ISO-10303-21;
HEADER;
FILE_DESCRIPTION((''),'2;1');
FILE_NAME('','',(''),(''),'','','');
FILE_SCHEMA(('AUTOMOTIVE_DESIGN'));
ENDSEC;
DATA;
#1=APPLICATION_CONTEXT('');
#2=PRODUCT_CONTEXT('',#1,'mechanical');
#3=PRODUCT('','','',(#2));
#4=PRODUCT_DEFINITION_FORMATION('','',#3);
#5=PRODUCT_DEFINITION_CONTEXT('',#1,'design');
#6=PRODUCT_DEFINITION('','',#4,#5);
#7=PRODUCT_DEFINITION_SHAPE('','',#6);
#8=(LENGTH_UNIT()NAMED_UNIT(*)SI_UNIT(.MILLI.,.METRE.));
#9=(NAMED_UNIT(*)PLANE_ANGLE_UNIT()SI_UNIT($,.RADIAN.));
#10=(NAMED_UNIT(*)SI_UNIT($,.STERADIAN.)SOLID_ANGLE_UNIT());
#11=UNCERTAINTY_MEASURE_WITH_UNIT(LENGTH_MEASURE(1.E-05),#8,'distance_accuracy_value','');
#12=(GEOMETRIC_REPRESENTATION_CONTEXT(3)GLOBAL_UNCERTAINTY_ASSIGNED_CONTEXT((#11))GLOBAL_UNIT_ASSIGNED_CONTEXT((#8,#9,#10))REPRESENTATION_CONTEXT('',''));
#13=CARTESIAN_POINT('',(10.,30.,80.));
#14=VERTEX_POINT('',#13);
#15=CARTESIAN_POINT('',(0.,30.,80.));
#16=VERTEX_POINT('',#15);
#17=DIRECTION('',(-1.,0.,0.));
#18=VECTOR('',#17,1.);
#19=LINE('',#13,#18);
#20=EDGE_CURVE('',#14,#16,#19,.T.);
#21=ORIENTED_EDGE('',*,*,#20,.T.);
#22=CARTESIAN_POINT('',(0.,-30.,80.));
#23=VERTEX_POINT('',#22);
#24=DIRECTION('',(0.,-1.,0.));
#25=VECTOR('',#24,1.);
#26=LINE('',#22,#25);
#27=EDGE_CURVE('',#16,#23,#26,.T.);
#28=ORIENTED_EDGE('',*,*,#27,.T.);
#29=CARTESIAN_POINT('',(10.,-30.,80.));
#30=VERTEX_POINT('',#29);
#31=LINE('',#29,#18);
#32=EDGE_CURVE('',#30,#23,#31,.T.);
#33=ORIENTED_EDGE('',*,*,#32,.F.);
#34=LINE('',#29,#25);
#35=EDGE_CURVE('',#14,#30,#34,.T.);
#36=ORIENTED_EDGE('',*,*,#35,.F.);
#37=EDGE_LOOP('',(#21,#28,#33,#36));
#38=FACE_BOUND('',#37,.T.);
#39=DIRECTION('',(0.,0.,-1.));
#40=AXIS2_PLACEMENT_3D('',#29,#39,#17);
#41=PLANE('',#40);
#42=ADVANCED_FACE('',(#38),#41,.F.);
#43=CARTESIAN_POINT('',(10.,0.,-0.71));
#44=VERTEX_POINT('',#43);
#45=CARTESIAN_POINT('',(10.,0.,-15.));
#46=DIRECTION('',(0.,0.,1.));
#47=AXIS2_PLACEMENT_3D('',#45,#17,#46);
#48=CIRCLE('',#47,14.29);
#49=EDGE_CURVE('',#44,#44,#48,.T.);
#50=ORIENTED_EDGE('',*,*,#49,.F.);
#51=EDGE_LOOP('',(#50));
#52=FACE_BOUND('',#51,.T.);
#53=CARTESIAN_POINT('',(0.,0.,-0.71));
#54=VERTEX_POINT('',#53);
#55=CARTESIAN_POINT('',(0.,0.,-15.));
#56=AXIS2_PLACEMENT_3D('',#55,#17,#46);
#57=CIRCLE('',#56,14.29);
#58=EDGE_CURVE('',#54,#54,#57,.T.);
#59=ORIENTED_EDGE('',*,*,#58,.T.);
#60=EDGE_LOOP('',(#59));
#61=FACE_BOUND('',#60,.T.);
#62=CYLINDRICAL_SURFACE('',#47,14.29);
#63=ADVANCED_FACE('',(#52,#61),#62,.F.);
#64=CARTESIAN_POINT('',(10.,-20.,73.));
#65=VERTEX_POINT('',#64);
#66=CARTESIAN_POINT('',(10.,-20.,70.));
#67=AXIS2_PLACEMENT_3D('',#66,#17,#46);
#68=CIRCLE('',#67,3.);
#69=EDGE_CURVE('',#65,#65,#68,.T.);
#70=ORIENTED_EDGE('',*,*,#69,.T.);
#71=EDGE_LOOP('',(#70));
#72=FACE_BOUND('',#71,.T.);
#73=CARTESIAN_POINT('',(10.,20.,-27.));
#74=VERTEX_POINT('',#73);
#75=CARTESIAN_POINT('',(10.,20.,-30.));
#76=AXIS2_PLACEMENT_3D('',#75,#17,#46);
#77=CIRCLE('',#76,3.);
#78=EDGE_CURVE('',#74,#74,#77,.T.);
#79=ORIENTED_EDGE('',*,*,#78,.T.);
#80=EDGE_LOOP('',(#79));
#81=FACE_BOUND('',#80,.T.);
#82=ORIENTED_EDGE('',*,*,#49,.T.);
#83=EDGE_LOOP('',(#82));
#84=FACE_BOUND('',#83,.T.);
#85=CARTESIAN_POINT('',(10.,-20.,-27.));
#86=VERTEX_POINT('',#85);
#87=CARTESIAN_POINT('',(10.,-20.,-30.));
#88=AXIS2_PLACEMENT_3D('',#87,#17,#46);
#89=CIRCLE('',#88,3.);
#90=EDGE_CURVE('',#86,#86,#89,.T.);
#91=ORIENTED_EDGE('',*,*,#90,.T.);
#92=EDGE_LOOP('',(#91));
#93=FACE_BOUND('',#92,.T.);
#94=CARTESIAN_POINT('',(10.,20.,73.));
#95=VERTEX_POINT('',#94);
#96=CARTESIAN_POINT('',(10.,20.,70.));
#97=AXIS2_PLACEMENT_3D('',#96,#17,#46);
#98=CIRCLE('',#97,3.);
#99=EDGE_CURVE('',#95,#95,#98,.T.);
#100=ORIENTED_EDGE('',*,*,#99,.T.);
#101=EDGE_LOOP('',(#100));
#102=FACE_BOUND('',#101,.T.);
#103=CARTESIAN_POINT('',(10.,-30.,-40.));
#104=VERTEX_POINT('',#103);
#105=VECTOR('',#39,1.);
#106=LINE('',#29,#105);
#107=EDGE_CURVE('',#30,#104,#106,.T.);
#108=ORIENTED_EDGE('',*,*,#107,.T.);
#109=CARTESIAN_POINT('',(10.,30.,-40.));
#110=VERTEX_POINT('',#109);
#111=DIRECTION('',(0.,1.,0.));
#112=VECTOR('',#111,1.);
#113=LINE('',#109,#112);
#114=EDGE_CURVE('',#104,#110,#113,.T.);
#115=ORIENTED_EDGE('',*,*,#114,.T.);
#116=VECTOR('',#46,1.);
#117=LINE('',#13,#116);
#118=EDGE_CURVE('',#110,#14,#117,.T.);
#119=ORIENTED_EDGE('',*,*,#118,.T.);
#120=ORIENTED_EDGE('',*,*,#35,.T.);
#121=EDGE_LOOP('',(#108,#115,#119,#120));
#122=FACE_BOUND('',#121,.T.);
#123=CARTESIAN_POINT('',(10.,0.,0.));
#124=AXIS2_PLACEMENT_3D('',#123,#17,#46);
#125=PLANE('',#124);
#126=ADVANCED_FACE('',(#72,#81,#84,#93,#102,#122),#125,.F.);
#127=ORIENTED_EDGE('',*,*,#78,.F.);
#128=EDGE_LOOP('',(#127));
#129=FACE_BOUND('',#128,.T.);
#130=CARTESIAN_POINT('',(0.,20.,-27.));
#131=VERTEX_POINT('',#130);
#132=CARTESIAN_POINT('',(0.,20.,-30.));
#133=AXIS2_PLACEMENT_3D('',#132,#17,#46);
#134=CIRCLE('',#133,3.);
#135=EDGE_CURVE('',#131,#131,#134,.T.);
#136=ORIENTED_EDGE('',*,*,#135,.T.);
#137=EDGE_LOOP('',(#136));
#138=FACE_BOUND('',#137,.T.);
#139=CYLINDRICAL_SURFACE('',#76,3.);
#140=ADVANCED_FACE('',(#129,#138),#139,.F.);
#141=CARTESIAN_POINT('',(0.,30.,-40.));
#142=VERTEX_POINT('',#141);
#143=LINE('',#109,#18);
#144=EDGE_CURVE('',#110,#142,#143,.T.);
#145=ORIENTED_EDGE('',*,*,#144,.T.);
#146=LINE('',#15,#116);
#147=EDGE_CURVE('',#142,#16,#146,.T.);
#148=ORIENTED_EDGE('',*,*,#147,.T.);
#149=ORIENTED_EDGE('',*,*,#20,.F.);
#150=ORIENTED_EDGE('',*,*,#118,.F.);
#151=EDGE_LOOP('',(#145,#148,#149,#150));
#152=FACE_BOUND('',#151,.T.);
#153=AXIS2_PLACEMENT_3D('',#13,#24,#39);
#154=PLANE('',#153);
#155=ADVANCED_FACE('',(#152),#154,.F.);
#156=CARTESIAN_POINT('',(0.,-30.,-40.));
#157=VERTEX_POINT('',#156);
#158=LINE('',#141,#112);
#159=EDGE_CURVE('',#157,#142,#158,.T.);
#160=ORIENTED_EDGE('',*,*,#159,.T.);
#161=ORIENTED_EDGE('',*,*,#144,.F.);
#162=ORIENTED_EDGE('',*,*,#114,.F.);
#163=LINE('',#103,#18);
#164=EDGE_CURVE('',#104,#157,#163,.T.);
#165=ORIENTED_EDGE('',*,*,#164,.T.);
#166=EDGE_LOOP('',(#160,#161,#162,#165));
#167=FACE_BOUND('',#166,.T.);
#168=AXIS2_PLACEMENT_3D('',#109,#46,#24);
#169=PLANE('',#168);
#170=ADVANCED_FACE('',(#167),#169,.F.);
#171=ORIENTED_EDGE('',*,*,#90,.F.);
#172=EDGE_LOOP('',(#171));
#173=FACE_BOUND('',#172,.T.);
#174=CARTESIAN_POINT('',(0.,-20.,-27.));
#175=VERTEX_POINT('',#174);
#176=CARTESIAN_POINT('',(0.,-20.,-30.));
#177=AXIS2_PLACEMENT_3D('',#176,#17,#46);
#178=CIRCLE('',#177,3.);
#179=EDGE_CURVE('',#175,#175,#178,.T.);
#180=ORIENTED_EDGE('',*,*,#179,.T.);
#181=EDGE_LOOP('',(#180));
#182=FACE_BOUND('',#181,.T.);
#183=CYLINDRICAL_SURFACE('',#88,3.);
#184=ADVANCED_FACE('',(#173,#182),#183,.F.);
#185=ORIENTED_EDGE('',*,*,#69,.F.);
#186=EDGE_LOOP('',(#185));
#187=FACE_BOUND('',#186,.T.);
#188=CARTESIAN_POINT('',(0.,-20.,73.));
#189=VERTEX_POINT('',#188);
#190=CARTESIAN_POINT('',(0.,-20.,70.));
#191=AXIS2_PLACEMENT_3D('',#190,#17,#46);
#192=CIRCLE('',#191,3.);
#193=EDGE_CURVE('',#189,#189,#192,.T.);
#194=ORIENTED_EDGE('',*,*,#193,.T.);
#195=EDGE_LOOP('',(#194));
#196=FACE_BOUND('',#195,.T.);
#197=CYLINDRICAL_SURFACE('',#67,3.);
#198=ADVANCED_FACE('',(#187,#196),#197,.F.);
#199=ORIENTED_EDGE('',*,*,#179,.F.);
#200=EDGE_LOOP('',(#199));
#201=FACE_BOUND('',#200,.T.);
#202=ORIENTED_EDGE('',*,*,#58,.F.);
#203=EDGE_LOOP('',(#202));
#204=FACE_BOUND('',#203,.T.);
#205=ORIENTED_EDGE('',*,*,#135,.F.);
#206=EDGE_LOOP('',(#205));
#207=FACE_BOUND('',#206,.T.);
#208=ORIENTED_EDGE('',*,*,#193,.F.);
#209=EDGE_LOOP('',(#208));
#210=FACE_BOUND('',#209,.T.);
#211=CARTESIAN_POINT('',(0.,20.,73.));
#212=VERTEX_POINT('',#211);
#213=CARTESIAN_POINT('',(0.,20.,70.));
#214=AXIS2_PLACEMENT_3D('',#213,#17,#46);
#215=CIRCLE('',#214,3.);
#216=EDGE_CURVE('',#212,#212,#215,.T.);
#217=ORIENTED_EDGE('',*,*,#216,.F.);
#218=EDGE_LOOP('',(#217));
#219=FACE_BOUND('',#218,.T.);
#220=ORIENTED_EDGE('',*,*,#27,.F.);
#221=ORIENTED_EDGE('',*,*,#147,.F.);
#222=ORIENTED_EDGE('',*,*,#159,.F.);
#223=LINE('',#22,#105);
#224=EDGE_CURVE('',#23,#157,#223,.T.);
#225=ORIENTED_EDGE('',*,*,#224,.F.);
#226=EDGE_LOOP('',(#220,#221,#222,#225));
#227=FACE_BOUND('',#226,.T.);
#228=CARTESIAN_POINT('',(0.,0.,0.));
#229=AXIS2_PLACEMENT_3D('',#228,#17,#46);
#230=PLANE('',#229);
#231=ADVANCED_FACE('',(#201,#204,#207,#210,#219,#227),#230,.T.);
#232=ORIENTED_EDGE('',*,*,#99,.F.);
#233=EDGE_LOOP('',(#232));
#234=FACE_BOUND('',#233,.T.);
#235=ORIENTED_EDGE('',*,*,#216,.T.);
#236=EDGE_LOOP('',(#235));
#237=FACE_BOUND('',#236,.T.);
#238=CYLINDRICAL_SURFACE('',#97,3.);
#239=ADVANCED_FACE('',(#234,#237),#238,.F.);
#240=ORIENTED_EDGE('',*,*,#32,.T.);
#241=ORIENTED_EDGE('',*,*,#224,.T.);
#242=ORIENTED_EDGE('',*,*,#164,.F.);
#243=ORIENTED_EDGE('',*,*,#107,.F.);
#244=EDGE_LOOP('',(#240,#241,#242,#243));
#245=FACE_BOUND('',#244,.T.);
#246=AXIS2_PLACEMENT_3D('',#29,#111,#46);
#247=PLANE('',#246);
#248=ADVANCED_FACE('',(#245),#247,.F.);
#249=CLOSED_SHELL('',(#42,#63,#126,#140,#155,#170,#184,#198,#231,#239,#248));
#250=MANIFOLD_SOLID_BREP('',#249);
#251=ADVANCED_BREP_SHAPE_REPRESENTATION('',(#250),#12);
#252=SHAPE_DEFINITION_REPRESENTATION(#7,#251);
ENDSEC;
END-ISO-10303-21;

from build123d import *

# Parameters (mm, degrees)
CROQUIS1_W              = 160
CROQUIS1_H              = 60
SALIENTE_EXTRUIR1_DEPTH = 10
CROQUIS2_R              = 14.29
CORTAR_EXTRUIR1_DEPTH   = 87.02325267
CROQUIS3_W              = 40
CROQUIS3_H              = 60
CORTAR_EXTRUIR2_DEPTH   = 87.02325267
CROQUIS4_R              = 3
CORTAR_EXTRUIR3_DEPTH   = 87.02325267


with BuildPart() as part:
    # Croquis1 → Saliente-Extruir1 (new body)
    with BuildSketch(Plane(origin=(0, 0, 0), x_dir=(0, 0, -1), z_dir=(1, 0, 0))):
        Rectangle(CROQUIS1_W, CROQUIS1_H)
    extrude(amount=SALIENTE_EXTRUIR1_DEPTH)

    # Croquis2 → Cortar-Extruir1 (cut, through all)
    with BuildSketch(Plane.ZY):
        with Locations((-58.2308, 0)):
            Circle(CROQUIS2_R)
        with Locations((-15, 0)):
            Circle(CROQUIS2_R)
    extrude(amount=-CORTAR_EXTRUIR1_DEPTH, mode=Mode.SUBTRACT)

    # Croquis3 → Cortar-Extruir2 (cut, through all)
    with BuildSketch(Plane.ZY):
        with Locations((-60, 0)):
            Rectangle(CROQUIS3_W, CROQUIS3_H)
    extrude(amount=-CORTAR_EXTRUIR2_DEPTH, mode=Mode.SUBTRACT)

    # Croquis4 → Cortar-Extruir3 (cut, through all)
    with BuildSketch(Plane.ZY):
        with Locations((70, 20)):
            Circle(CROQUIS4_R)
        with Locations((-30, 20)):
            Circle(CROQUIS4_R)
        with Locations((-30, -20)):
            Circle(CROQUIS4_R)
        with Locations((70, -20)):
            Circle(CROQUIS4_R)
    extrude(amount=-CORTAR_EXTRUIR3_DEPTH, mode=Mode.SUBTRACT)


solid = part.part
